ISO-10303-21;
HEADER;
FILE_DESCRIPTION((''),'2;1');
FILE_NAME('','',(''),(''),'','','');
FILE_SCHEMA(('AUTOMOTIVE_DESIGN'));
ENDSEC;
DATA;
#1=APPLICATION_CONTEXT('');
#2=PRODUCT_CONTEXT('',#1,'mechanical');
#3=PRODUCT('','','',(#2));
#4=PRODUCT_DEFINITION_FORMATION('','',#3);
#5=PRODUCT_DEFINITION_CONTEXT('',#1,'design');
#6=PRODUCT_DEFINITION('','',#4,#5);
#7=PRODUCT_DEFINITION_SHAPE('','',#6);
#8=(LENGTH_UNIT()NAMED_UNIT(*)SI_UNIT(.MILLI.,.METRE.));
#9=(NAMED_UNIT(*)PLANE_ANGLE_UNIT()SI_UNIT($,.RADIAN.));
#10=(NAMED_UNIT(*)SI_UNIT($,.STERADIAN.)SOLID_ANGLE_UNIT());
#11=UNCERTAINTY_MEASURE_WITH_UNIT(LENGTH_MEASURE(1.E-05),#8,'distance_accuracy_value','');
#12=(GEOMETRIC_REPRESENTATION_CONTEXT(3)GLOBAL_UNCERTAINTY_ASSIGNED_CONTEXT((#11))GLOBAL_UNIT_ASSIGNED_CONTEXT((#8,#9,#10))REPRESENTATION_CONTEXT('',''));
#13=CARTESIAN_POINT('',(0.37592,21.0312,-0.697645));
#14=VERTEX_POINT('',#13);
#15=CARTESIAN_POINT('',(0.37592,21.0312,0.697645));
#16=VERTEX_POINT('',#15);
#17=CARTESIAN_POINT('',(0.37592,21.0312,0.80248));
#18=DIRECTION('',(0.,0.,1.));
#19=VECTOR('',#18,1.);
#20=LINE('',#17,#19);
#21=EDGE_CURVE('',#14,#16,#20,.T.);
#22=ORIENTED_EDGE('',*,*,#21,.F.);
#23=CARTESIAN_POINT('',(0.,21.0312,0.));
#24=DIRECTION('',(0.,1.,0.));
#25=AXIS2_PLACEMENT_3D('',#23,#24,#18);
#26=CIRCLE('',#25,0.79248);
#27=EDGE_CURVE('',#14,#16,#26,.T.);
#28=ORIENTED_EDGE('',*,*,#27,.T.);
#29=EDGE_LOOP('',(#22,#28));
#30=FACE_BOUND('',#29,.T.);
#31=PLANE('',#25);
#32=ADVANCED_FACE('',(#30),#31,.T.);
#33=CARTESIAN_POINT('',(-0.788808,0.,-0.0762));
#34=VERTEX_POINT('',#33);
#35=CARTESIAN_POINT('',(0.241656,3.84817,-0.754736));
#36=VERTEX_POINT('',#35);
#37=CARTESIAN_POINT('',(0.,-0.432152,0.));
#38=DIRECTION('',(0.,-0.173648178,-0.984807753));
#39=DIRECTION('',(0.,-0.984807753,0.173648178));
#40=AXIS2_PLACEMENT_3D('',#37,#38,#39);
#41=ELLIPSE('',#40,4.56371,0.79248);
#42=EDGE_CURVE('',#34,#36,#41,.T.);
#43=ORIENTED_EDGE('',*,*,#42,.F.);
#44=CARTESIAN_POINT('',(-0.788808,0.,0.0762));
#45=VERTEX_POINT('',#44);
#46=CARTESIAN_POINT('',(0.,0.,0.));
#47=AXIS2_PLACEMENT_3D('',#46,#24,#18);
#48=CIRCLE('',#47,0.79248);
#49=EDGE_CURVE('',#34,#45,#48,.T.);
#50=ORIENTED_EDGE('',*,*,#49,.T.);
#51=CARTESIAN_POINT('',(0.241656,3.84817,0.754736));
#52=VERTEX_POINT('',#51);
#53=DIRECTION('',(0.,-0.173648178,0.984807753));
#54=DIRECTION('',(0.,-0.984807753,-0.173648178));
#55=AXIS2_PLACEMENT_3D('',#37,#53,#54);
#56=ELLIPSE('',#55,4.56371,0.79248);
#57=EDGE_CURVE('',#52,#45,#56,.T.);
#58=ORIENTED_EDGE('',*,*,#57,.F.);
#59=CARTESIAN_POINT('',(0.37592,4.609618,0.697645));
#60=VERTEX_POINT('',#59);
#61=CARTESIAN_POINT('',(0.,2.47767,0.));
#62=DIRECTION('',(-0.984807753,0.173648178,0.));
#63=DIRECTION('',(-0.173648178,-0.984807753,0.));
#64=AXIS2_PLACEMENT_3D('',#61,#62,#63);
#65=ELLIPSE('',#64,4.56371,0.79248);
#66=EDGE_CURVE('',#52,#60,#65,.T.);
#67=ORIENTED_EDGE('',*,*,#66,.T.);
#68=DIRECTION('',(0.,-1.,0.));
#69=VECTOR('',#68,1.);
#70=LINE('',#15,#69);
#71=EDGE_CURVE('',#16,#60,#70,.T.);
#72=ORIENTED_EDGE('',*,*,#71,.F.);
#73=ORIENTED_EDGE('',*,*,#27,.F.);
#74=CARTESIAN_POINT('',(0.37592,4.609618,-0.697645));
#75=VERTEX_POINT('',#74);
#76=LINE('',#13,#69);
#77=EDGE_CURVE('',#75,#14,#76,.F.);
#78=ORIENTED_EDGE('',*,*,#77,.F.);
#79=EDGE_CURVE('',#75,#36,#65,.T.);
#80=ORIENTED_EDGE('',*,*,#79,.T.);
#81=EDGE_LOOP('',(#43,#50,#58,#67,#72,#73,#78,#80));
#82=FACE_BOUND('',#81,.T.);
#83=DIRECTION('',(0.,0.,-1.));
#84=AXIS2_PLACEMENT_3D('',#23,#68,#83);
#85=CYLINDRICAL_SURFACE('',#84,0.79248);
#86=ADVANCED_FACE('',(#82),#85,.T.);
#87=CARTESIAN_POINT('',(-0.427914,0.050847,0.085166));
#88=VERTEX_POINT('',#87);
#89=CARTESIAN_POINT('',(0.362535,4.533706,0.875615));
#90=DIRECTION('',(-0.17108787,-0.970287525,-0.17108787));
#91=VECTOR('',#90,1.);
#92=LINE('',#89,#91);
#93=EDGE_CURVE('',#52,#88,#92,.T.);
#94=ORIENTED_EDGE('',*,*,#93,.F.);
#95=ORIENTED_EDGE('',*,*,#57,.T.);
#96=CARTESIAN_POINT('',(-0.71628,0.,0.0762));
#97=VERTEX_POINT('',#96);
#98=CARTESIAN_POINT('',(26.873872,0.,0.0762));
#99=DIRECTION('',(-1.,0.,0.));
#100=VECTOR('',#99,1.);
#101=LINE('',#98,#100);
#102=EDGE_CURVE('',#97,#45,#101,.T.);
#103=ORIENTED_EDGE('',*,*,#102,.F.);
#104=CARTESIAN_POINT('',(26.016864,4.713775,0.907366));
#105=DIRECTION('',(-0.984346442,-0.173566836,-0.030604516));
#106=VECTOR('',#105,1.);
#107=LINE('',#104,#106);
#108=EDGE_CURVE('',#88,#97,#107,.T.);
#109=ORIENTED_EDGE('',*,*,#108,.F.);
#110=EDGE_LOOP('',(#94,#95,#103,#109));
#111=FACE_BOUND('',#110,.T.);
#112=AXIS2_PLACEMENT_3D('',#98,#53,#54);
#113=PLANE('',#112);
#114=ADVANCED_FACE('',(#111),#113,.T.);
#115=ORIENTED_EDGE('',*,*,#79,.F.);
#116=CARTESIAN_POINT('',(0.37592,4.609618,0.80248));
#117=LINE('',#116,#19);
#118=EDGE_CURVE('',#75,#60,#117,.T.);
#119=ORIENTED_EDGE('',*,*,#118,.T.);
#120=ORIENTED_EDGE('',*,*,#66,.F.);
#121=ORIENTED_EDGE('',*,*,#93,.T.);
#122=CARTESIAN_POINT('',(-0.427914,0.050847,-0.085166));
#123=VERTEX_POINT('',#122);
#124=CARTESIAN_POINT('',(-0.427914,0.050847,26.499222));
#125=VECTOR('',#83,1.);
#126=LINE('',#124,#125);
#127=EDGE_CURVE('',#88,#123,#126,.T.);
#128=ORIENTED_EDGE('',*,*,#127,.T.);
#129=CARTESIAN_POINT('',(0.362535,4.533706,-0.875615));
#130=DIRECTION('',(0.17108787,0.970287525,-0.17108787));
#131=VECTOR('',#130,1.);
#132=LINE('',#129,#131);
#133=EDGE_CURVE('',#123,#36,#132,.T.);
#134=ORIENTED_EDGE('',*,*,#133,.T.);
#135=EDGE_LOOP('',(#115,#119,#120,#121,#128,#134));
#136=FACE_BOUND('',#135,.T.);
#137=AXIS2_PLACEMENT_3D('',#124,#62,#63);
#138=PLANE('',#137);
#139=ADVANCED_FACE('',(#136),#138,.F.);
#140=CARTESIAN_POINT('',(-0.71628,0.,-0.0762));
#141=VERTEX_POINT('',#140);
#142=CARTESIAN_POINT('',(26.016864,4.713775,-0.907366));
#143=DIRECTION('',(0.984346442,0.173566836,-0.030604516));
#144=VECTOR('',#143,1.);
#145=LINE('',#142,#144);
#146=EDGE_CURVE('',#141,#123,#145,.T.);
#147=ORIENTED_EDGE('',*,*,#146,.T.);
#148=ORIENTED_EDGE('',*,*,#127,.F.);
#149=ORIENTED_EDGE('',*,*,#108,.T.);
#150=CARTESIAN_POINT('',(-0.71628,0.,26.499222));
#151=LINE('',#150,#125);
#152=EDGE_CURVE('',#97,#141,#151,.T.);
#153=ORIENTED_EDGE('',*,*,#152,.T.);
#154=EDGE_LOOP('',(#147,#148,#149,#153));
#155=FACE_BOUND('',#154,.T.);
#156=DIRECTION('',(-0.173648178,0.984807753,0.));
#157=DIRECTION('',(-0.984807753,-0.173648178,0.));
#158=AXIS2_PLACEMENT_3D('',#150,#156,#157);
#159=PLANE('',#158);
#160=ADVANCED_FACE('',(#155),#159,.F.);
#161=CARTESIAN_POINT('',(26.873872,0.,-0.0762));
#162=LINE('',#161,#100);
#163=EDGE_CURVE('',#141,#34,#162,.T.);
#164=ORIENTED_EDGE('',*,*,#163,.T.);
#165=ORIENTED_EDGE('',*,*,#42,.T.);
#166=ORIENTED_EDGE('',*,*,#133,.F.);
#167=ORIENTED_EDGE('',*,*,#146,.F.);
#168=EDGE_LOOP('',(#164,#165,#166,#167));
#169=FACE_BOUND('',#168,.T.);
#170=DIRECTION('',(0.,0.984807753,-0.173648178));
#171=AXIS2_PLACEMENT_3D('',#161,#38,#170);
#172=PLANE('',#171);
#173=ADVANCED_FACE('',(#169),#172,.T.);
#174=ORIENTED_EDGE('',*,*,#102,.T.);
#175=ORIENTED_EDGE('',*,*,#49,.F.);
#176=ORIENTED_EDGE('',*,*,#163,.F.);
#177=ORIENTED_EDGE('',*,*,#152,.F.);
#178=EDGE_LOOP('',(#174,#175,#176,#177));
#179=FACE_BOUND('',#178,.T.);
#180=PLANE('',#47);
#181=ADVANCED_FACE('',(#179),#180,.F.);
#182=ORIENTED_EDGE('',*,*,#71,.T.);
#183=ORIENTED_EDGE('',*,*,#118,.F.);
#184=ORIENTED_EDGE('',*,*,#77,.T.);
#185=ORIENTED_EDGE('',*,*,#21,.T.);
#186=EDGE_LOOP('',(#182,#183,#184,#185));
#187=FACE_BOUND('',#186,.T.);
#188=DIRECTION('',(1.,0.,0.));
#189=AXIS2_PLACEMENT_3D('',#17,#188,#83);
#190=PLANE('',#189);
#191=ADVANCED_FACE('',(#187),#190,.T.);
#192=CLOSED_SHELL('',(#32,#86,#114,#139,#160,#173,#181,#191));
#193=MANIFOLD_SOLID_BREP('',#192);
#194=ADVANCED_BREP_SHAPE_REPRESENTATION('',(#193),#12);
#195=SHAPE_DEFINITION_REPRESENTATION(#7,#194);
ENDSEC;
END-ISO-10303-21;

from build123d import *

# Parameters (mm, degrees)
TD_SKETCH_R                           = 0.79248
TL_FEATURE_DEPTH                      = 21.0312
TDF_180_DEG_REV_SKETCH_W              = 1.60495996
TDF_180_DEG_REV_SKETCH_H              = 1.60495996
TDF_180_DEG_REV_FEATURE_DEPTH         = 22.061040395
ISA_20_180_DEG_REV_FEATURE_DEPTH      = 22.061040395
ISA_20_180_DEG_REV_FEATURE_DEPTH_BACK = 22.061040395
F_10BA_180_DEG_REV_FEATURE_DEPTH      = 22.061040395
F_10BA_180_DEG_REV_FEATURE_DEPTH_BACK = 22.061040395


with BuildPart() as part:
    # TD_sketch → TL_feature (new body)
    with BuildSketch(Plane(origin=(0, 0, 0), x_dir=(1, 0, 0), z_dir=(0, 1, 0))):
        Circle(TD_SKETCH_R)
    extrude(amount=TL_FEATURE_DEPTH)

    # TDF_180_DEG_REV_sketch → TDF_180_DEG_REV_feature (cut, through all)
    with BuildSketch(Plane(origin=(0, 0, 0), x_dir=(1, 0, 0), z_dir=(0, 1, 0))):
        with Locations((1.17839998, 0)):
            Rectangle(TDF_180_DEG_REV_SKETCH_W, TDF_180_DEG_REV_SKETCH_H)
    extrude(amount=TDF_180_DEG_REV_FEATURE_DEPTH, mode=Mode.SUBTRACT)

    # ISA_20_180_DEG_REV_sketch → ISA_20_180_DEG_REV_feature (cut, two sides: drawn at the far end of the back side and taken through both)
    with BuildSketch(Plane(origin=(0, 0, 0), x_dir=(0, 0, -1), z_dir=(1, 0, 0)).offset(-ISA_20_180_DEG_REV_FEATURE_DEPTH_BACK)):
        Polygon((-12.996080373, 73.27228267), (-3.784567997, 21.0312), (-0.0762, 0), (0.0762, 0), (3.784567997, 21.0312), (12.996080373, 73.27228267), (12.996080373, -32.821688483), (-12.996080373, -32.821688483), align=None)
    extrude(amount=ISA_20_180_DEG_REV_FEATURE_DEPTH + ISA_20_180_DEG_REV_FEATURE_DEPTH_BACK, mode=Mode.SUBTRACT)

    # 10BA_180_DEG_REV_sketch → 10BA_180_DEG_REV_feature (cut, two sides: drawn at the far end of the back side and taken through both)
    with BuildSketch(Plane.XY.offset(-F_10BA_180_DEG_REV_FEATURE_DEPTH_BACK)):
        Polygon((-53.632984634, 0), (-0.79248, 0), (-0.71628, 0), (-0.427914365, 0.050846642), (3.271487997, 21.0312), (12.447145333, 73.068938636), (90.829329802, 2.18375769), (24.749199835, -70.885180946), align=None)
    extrude(amount=F_10BA_180_DEG_REV_FEATURE_DEPTH + F_10BA_180_DEG_REV_FEATURE_DEPTH_BACK, mode=Mode.SUBTRACT)


solid = part.part
